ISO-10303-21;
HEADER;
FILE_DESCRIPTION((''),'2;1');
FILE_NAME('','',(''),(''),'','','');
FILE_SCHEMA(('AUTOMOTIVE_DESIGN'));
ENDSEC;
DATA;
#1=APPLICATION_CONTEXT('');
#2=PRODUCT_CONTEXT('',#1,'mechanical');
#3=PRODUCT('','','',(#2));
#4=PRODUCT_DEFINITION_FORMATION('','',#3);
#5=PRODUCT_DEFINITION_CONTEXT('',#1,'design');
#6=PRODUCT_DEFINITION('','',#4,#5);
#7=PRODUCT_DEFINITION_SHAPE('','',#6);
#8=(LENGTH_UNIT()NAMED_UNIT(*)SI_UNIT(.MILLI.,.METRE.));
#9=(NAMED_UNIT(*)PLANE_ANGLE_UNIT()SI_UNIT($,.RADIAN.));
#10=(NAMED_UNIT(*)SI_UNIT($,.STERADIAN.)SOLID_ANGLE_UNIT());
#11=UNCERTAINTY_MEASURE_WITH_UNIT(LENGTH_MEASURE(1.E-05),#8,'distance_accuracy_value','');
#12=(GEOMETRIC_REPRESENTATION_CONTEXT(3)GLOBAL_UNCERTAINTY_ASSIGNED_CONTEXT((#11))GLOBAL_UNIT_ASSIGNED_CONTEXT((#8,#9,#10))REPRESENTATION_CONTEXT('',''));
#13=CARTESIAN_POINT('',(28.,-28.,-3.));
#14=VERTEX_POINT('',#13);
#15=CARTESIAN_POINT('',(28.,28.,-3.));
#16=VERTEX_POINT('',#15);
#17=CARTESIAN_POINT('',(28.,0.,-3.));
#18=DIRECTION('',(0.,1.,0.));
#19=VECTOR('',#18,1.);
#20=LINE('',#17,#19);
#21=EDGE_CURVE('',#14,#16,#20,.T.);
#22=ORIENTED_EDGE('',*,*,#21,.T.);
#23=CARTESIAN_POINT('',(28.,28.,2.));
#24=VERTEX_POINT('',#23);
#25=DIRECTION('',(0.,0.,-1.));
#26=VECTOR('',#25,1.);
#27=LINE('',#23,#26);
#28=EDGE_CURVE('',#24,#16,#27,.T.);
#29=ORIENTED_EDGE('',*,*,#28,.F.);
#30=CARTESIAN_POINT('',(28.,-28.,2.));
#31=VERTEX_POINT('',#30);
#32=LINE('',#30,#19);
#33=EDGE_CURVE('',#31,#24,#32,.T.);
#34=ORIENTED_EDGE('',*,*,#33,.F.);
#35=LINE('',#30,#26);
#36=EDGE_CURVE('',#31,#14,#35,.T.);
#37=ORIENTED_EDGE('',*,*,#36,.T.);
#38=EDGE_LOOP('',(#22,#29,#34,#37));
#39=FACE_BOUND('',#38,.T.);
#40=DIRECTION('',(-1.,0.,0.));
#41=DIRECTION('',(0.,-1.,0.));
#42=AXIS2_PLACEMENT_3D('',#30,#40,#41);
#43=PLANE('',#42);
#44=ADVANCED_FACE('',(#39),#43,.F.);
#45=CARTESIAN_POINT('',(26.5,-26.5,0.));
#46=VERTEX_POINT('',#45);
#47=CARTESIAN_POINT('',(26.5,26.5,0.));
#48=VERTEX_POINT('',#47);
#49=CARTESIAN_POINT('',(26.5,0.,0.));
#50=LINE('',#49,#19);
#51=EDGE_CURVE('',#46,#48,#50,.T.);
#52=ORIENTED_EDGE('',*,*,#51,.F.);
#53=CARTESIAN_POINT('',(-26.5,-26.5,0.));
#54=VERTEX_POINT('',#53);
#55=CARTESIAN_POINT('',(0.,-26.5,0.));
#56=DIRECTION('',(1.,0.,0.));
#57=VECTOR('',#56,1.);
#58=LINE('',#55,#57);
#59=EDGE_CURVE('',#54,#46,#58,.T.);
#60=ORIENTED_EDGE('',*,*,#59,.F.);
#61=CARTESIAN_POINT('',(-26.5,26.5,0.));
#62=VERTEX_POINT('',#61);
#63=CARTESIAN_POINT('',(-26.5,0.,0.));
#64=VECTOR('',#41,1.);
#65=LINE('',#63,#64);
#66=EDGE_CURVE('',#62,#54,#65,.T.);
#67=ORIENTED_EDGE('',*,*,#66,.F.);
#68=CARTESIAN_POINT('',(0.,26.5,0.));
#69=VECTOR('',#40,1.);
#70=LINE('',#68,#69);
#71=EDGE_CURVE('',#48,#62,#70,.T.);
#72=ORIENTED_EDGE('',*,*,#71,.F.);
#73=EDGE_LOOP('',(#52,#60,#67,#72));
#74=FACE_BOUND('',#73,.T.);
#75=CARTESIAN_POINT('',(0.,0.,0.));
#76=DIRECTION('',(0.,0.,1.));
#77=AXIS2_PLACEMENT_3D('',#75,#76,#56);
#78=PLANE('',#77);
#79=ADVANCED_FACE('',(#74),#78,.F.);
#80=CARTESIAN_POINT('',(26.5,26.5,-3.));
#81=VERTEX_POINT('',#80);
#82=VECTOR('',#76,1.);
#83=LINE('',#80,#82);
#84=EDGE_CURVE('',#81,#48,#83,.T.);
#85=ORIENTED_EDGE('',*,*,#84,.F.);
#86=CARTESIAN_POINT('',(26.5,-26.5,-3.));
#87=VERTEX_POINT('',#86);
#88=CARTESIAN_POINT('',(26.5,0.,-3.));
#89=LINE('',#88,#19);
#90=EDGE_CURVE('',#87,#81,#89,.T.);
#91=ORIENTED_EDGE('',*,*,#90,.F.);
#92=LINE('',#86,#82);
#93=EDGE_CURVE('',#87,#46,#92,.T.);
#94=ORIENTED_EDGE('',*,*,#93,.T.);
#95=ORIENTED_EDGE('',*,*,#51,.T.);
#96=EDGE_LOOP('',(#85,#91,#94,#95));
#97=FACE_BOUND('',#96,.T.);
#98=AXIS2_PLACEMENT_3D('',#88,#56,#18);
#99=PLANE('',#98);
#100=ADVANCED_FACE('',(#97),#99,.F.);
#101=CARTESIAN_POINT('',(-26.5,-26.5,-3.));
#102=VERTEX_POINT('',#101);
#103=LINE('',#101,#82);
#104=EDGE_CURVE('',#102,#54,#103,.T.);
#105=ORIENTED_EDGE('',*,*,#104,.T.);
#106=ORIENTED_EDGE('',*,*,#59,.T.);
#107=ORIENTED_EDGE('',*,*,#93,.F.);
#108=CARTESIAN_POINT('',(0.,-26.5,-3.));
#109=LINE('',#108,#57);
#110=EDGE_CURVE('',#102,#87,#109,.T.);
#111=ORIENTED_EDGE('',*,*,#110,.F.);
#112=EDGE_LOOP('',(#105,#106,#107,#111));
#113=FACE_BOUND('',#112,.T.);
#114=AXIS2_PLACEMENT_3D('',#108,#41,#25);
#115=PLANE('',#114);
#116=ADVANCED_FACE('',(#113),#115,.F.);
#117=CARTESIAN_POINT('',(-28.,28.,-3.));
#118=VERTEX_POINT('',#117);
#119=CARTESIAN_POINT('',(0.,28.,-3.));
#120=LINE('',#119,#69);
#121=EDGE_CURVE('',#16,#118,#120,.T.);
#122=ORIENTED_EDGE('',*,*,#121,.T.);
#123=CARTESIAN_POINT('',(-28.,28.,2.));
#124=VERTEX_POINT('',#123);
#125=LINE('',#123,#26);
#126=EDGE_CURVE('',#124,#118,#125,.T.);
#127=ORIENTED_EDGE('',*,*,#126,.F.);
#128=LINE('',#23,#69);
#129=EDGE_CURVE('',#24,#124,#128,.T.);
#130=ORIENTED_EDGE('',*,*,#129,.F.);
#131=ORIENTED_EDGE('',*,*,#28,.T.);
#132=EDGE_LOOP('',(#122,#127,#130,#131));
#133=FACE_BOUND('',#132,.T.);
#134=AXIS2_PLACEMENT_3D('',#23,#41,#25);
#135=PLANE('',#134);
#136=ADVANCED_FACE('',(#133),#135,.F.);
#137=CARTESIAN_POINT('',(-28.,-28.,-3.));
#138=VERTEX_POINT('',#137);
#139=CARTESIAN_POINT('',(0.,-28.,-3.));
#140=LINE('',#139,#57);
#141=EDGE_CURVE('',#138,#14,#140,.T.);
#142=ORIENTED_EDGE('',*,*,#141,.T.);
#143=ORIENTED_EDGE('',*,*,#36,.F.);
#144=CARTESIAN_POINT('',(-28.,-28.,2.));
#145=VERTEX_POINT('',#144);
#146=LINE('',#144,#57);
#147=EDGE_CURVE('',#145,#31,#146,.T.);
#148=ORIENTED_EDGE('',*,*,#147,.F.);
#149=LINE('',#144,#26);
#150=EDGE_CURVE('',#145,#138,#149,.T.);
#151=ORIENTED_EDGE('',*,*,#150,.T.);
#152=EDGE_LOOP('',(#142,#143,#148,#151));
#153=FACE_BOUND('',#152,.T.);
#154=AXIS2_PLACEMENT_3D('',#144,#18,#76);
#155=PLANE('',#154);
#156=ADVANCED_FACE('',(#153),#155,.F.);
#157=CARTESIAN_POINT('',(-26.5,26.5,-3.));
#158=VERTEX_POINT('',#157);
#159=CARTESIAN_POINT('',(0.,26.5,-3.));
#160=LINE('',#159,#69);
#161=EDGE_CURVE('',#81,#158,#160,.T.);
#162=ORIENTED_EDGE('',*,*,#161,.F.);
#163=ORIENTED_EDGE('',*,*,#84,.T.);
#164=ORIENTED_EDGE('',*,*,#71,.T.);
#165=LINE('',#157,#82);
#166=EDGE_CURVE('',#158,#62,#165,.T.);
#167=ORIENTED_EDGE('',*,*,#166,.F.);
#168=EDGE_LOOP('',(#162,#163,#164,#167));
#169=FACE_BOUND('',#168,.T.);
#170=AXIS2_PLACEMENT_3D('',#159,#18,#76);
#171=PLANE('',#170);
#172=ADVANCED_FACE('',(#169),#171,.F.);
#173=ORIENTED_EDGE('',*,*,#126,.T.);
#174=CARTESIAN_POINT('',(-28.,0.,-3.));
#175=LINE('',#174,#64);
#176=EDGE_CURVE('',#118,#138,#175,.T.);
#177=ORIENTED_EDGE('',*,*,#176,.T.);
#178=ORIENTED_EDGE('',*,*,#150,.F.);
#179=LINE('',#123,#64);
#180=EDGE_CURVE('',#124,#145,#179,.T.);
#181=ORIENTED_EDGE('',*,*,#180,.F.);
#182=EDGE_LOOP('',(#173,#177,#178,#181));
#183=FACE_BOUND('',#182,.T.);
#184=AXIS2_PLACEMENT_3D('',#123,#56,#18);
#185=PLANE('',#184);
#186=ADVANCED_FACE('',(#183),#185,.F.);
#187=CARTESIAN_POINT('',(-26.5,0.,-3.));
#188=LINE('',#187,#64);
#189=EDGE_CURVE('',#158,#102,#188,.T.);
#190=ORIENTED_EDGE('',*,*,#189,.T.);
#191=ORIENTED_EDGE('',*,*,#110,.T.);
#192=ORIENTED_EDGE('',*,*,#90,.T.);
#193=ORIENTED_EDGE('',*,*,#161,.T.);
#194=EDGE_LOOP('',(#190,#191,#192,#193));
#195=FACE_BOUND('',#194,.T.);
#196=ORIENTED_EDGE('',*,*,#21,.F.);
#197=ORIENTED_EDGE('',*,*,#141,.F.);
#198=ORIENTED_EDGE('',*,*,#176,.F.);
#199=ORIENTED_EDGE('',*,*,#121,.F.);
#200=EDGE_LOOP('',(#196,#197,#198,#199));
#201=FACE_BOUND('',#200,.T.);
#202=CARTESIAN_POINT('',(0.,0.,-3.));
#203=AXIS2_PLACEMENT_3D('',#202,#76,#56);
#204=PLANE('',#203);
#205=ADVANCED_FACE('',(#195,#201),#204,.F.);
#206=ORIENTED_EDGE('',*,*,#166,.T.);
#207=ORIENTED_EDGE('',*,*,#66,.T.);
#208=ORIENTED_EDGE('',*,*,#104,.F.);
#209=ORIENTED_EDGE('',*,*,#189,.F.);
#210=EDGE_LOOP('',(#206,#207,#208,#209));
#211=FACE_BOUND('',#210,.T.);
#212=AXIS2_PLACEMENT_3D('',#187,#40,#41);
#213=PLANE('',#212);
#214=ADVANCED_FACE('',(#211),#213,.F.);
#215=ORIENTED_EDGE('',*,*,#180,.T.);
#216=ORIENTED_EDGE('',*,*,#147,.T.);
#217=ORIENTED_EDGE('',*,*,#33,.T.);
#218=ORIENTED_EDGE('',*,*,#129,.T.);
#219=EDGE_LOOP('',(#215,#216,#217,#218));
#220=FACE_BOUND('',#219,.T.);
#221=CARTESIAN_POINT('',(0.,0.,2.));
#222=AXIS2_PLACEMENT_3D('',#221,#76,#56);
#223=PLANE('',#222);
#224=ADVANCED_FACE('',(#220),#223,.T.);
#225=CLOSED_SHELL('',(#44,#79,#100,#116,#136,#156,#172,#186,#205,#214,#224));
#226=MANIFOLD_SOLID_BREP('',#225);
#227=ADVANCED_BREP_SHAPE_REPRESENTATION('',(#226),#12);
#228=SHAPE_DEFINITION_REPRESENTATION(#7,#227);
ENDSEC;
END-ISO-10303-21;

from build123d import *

# Parameters (mm, degrees)
SKETCH1_W           = 56
SKETCH1_H           = 56
BOSS_EXTRUDE1_DEPTH = 2
SKETCH1_3_W         = 56
SKETCH1_3_H         = 56
SKETCH1_3_W_2       = 53
SKETCH1_3_H_2       = 53
BOSS_EXTRUDE2_DEPTH = 3


with BuildPart() as part:
    # Sketch1 → Boss-Extrude1 (new body)
    with BuildSketch(Plane.XY):
        Rectangle(SKETCH1_W, SKETCH1_H)
    extrude(amount=BOSS_EXTRUDE1_DEPTH)

    # Sketch1<3> → Boss-Extrude2 (add)
    with BuildSketch(Plane.XY):
        Rectangle(SKETCH1_3_W, SKETCH1_3_H)
        Rectangle(SKETCH1_3_W_2, SKETCH1_3_H_2, mode=Mode.SUBTRACT)
    extrude(amount=-BOSS_EXTRUDE2_DEPTH)


solid = part.part
